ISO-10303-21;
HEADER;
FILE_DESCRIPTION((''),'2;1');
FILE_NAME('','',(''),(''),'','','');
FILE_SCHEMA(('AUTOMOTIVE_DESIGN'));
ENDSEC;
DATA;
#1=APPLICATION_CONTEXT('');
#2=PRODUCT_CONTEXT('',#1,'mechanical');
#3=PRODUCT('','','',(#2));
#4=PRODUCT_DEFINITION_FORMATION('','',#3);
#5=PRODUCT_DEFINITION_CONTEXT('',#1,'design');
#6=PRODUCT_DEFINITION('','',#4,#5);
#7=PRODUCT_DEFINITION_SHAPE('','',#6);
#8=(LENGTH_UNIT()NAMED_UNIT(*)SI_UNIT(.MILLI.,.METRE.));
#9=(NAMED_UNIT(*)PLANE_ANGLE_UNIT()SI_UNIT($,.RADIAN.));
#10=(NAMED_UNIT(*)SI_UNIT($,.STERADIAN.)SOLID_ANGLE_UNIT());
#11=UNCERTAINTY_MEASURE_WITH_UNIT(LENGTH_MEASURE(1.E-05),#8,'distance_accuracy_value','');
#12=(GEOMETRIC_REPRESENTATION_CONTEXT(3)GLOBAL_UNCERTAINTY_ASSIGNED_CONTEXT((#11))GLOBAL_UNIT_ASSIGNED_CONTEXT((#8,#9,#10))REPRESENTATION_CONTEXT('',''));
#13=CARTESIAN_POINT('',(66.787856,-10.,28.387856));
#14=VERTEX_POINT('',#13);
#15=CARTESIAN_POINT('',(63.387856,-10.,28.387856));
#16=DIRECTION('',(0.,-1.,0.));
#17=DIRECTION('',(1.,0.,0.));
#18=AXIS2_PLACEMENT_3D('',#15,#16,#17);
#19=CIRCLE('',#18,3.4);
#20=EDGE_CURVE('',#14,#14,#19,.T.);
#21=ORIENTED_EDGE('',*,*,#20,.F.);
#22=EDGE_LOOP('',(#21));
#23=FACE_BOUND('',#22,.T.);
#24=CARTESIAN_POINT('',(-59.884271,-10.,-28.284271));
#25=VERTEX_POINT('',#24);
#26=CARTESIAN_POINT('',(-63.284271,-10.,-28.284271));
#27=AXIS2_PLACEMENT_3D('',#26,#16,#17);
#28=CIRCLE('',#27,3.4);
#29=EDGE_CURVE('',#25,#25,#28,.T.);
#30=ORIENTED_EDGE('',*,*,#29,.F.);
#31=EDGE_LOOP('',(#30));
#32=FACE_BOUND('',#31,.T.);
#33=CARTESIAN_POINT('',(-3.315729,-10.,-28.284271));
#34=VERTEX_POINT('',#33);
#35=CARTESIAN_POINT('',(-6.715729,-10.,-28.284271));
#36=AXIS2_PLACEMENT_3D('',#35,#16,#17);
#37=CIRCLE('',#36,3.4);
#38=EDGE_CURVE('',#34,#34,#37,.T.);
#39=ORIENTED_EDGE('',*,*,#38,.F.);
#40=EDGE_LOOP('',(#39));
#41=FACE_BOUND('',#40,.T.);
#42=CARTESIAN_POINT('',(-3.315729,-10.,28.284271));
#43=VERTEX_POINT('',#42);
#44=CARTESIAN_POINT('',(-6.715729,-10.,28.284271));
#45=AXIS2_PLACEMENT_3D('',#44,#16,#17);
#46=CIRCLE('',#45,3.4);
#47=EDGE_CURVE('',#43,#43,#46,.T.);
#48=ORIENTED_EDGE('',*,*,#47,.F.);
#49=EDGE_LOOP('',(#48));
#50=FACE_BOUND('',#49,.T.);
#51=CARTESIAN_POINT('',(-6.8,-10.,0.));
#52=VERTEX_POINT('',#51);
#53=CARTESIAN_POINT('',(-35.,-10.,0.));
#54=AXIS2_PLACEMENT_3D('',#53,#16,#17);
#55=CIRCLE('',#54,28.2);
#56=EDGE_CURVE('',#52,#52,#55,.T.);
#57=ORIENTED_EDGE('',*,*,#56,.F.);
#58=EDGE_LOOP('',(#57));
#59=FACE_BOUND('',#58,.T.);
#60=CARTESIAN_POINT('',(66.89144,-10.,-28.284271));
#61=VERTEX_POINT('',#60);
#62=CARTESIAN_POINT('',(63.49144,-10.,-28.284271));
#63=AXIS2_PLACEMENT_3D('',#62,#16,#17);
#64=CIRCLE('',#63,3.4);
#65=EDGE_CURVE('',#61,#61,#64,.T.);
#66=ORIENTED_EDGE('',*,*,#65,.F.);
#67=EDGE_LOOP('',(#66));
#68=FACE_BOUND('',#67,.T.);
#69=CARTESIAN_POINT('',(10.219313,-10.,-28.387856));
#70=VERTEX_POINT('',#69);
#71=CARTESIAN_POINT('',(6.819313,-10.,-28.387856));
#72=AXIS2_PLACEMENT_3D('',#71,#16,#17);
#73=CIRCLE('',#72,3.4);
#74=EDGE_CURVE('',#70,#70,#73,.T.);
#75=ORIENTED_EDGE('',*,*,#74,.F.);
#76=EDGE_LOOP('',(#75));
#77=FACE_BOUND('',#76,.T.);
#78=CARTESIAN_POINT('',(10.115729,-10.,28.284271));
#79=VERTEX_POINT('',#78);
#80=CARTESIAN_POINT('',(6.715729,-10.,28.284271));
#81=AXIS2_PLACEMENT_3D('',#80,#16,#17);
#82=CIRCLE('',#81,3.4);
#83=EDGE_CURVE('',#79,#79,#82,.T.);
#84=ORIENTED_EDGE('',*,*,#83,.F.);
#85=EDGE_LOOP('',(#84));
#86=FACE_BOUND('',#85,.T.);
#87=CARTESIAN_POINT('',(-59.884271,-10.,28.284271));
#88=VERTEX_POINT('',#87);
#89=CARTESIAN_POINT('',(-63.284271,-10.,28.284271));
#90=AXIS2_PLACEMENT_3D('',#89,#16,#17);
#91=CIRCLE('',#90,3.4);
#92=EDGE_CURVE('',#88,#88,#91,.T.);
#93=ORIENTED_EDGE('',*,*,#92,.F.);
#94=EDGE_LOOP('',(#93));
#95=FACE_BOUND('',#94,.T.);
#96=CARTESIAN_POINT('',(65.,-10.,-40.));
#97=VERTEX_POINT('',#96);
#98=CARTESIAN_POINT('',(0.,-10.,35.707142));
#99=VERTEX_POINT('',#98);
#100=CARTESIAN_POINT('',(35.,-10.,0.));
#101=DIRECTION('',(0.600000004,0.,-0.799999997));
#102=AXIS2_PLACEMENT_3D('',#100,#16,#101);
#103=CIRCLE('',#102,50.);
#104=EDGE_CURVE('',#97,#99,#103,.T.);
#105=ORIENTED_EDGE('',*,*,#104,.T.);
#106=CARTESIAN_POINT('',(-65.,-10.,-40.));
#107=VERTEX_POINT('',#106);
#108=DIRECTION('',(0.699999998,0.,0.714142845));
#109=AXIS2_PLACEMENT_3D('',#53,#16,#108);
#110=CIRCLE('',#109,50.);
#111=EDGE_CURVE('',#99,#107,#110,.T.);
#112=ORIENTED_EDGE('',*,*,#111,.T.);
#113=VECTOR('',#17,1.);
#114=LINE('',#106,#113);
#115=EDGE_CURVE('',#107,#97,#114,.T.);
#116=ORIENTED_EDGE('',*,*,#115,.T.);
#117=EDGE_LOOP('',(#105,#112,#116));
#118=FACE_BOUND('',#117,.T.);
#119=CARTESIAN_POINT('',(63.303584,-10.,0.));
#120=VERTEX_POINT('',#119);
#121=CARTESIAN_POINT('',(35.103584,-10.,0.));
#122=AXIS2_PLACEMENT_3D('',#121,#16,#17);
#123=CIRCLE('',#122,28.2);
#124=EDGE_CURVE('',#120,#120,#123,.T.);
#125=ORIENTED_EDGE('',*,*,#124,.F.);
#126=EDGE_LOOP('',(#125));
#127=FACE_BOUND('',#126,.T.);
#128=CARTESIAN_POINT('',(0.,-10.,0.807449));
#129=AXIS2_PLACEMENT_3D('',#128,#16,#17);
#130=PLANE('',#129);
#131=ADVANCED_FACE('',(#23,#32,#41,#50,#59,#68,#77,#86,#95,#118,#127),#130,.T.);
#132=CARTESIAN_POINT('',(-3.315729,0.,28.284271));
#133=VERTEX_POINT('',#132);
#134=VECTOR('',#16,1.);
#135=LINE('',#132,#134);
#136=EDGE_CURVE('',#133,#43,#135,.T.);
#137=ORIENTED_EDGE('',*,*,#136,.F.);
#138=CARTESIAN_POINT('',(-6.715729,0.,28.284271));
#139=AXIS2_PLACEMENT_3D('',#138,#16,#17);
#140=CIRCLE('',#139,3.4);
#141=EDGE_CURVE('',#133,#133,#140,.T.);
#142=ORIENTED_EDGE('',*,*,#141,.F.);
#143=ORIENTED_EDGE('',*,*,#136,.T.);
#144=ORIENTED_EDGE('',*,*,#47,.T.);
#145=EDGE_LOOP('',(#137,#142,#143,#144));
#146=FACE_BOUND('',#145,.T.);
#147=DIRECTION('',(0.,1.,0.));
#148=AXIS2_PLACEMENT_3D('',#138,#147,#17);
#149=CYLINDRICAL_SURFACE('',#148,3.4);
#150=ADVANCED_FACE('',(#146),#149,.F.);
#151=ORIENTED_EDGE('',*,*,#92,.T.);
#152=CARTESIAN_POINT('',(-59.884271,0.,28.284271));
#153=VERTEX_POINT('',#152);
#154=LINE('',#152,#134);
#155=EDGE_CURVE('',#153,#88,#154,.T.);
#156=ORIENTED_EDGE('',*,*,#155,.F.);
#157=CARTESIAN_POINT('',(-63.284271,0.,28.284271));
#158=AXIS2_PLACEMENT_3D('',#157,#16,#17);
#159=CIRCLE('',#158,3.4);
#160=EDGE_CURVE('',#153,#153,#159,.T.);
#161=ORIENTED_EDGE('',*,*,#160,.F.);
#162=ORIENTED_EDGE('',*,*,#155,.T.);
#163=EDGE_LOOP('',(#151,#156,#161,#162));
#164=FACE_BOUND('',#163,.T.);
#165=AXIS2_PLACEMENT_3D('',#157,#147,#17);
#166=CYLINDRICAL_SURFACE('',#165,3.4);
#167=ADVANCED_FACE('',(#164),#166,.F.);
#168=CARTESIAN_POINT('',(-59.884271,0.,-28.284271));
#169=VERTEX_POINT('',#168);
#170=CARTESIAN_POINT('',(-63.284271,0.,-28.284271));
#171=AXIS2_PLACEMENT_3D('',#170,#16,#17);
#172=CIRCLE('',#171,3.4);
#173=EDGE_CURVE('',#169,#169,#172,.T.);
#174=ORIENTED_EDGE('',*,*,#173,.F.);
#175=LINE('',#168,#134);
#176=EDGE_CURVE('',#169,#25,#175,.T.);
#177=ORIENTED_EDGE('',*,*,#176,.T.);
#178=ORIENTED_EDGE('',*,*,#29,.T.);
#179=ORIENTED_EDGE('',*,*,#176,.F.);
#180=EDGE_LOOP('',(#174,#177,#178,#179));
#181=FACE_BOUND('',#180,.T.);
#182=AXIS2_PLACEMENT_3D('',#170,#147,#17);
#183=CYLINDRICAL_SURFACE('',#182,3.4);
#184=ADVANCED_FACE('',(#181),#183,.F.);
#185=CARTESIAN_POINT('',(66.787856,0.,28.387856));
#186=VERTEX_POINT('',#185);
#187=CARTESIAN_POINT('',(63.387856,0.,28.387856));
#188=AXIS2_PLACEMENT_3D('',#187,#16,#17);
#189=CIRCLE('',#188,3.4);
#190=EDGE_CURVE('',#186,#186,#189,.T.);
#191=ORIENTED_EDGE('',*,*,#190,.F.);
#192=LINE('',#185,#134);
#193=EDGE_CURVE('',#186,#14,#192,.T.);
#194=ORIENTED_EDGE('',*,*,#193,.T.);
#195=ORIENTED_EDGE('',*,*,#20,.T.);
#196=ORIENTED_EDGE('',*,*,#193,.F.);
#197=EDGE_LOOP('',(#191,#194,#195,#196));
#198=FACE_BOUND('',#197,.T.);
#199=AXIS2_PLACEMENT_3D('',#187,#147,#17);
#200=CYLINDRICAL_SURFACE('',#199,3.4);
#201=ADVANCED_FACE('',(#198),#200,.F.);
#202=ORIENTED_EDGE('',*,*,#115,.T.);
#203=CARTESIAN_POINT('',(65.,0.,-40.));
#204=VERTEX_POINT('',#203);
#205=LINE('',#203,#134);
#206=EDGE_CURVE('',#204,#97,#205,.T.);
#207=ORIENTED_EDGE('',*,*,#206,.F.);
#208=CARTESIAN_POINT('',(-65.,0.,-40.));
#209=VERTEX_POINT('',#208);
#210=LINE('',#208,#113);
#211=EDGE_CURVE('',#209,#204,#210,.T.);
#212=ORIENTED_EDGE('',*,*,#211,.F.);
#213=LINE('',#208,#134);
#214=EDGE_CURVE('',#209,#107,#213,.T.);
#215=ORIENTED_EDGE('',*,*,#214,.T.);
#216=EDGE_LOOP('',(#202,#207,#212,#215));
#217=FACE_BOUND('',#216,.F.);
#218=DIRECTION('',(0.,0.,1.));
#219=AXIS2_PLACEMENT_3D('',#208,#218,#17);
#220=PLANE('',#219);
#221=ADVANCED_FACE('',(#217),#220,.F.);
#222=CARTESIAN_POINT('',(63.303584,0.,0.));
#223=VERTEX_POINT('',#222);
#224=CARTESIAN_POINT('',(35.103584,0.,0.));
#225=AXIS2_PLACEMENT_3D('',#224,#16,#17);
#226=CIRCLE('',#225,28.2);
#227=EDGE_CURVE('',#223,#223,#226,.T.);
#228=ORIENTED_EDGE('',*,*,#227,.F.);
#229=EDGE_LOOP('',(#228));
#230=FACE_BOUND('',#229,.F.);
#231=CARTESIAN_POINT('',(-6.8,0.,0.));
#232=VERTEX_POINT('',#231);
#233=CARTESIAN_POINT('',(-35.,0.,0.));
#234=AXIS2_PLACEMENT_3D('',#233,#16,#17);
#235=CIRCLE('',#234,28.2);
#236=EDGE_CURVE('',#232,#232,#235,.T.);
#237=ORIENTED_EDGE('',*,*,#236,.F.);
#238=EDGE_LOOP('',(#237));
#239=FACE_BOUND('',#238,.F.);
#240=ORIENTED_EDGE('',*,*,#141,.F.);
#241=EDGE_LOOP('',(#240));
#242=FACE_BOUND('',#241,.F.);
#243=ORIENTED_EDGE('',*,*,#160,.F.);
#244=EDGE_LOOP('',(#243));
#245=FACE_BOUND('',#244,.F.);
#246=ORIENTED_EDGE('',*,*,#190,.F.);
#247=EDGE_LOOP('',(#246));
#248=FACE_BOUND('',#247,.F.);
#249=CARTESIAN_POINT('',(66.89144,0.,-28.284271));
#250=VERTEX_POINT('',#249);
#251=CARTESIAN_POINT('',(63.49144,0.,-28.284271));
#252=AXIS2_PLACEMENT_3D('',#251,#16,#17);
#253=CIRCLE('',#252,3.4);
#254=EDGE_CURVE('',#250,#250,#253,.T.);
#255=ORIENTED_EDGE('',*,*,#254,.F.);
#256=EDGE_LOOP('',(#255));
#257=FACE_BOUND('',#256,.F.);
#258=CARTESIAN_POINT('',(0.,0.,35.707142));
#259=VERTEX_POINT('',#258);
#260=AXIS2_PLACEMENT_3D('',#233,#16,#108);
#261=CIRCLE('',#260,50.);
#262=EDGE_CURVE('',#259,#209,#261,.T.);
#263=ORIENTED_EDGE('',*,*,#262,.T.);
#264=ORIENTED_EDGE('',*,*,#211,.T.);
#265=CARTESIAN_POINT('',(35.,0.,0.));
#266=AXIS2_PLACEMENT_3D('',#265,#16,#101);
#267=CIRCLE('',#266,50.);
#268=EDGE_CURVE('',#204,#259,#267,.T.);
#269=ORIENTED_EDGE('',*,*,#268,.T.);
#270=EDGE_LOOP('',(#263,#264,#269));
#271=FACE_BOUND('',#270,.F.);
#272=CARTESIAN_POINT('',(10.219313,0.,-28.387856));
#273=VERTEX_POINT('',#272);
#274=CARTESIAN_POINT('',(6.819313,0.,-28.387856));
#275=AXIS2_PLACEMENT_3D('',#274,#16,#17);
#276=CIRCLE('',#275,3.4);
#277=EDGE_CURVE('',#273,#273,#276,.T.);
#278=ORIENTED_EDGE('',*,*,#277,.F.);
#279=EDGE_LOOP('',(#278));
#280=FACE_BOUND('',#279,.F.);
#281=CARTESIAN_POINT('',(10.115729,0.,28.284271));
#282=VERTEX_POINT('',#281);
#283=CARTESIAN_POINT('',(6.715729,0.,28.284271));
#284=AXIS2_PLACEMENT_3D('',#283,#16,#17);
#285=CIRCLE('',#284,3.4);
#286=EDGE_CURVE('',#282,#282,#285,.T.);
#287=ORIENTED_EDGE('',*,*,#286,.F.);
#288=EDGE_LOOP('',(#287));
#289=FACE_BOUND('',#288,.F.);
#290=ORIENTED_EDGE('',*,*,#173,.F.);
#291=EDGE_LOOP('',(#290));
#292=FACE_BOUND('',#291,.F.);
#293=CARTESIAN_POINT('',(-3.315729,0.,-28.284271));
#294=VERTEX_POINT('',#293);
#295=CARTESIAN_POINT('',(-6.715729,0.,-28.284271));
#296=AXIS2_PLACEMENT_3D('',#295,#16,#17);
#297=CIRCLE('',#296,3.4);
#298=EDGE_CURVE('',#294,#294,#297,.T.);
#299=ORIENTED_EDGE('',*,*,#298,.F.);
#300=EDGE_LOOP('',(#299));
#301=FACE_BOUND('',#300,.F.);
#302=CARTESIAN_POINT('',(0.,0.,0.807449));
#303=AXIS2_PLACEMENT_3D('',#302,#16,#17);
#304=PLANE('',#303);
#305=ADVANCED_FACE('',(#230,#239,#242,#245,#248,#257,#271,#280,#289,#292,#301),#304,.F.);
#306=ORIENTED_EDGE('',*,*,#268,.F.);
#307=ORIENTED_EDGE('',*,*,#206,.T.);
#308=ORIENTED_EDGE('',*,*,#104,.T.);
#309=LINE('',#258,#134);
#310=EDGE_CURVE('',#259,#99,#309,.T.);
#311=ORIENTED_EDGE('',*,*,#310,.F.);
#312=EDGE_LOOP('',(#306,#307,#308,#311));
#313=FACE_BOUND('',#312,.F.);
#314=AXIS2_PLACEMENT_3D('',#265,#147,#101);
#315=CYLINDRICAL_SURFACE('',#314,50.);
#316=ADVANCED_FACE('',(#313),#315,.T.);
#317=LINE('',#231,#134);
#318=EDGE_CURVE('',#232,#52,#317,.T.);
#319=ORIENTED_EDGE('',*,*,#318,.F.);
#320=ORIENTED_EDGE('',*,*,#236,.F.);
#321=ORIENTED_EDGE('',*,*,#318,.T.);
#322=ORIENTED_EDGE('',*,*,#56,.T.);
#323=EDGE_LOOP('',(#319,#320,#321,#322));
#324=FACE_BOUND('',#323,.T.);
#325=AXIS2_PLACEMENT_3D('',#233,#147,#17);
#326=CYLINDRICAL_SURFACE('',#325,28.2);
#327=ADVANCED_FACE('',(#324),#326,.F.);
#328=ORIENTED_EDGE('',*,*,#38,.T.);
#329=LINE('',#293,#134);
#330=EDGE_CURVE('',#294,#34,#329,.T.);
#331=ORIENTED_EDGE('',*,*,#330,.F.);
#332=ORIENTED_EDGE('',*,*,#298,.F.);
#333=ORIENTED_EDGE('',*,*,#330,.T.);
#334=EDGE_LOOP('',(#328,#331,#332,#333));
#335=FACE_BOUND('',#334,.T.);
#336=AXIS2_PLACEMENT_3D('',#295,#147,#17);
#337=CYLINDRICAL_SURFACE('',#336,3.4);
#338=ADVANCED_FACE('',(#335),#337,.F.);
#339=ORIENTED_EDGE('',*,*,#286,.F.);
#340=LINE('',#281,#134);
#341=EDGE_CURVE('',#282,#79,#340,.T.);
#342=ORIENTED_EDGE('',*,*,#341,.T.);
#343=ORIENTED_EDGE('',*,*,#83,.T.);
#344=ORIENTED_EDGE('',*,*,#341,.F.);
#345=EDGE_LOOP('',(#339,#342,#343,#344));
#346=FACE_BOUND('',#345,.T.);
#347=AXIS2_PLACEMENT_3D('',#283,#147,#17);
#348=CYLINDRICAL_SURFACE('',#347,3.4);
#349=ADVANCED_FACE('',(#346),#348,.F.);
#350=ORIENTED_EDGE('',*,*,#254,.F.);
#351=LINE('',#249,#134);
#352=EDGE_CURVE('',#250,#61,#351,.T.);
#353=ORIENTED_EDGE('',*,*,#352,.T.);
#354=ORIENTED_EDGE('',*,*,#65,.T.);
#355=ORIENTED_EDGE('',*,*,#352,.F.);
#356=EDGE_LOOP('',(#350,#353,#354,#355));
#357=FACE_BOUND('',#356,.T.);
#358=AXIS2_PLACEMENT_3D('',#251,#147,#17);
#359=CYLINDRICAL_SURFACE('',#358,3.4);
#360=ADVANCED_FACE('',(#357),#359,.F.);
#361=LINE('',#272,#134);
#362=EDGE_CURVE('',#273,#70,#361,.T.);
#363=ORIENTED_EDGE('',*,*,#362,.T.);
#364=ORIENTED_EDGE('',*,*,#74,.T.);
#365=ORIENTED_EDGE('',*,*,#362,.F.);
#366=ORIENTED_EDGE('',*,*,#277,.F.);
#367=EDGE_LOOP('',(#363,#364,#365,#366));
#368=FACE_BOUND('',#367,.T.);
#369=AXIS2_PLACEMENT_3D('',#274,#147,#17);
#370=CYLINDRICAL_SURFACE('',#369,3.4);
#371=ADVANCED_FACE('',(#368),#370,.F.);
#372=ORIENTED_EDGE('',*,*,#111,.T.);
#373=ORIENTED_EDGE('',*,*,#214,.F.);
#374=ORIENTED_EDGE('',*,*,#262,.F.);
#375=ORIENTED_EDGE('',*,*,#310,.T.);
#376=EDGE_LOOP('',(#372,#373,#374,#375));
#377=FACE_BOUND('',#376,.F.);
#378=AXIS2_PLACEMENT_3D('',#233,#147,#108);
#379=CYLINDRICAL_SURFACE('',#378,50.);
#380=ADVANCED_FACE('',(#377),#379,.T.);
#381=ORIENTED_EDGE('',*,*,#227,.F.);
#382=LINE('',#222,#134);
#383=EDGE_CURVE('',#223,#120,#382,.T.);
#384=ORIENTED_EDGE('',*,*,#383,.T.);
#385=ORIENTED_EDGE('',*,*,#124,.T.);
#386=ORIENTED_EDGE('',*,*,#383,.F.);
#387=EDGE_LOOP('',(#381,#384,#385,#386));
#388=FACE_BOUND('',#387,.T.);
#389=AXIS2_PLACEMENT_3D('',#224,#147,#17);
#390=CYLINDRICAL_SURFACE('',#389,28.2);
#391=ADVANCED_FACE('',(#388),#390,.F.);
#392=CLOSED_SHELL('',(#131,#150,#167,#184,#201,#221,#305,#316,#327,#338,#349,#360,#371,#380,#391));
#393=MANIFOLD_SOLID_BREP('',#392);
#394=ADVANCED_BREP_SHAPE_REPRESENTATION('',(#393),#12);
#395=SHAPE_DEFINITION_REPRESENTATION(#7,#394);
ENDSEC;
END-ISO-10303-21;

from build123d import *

# Parameters (mm, degrees)
F0_R     = 3.4
F0_R_2   = 28.2
F1_DEPTH = 10


with BuildPart() as f1:
    # F0 (on Front) → F1 (new body)
    with BuildSketch(Plane.XZ):
        with BuildLine():
            ThreePointArc((65, -40), (72.936036, 32.570802), (0, 35.707142))
            ThreePointArc((0, 35.707142), (-72.936036, 32.570802), (-65, -40))
            Line((-65, -40), (65, -40))
        make_face()
        with Locations((-63.284271, -28.284271)):
            Circle(F0_R, mode=Mode.SUBTRACT)
        with Locations((-6.715729, -28.284271)):
            Circle(F0_R, mode=Mode.SUBTRACT)
        with Locations((-35, 0)):
            Circle(F0_R_2, mode=Mode.SUBTRACT)
        with Locations((6.819313, -28.387856)):
            Circle(F0_R, mode=Mode.SUBTRACT)
        with Locations((63.49144, -28.284271)):
            Circle(F0_R, mode=Mode.SUBTRACT)
        with Locations((35.103584, 0)):
            Circle(F0_R_2, mode=Mode.SUBTRACT)
        with Locations((-63.284271, 28.284271)):
            Circle(F0_R, mode=Mode.SUBTRACT)
        with Locations((-6.715729, 28.284271)):
            Circle(F0_R, mode=Mode.SUBTRACT)
        with Locations((6.715729, 28.284271)):
            Circle(F0_R, mode=Mode.SUBTRACT)
        with Locations((63.387856, 28.387856)):
            Circle(F0_R, mode=Mode.SUBTRACT)
    extrude(amount=F1_DEPTH)


solid = f1.part
